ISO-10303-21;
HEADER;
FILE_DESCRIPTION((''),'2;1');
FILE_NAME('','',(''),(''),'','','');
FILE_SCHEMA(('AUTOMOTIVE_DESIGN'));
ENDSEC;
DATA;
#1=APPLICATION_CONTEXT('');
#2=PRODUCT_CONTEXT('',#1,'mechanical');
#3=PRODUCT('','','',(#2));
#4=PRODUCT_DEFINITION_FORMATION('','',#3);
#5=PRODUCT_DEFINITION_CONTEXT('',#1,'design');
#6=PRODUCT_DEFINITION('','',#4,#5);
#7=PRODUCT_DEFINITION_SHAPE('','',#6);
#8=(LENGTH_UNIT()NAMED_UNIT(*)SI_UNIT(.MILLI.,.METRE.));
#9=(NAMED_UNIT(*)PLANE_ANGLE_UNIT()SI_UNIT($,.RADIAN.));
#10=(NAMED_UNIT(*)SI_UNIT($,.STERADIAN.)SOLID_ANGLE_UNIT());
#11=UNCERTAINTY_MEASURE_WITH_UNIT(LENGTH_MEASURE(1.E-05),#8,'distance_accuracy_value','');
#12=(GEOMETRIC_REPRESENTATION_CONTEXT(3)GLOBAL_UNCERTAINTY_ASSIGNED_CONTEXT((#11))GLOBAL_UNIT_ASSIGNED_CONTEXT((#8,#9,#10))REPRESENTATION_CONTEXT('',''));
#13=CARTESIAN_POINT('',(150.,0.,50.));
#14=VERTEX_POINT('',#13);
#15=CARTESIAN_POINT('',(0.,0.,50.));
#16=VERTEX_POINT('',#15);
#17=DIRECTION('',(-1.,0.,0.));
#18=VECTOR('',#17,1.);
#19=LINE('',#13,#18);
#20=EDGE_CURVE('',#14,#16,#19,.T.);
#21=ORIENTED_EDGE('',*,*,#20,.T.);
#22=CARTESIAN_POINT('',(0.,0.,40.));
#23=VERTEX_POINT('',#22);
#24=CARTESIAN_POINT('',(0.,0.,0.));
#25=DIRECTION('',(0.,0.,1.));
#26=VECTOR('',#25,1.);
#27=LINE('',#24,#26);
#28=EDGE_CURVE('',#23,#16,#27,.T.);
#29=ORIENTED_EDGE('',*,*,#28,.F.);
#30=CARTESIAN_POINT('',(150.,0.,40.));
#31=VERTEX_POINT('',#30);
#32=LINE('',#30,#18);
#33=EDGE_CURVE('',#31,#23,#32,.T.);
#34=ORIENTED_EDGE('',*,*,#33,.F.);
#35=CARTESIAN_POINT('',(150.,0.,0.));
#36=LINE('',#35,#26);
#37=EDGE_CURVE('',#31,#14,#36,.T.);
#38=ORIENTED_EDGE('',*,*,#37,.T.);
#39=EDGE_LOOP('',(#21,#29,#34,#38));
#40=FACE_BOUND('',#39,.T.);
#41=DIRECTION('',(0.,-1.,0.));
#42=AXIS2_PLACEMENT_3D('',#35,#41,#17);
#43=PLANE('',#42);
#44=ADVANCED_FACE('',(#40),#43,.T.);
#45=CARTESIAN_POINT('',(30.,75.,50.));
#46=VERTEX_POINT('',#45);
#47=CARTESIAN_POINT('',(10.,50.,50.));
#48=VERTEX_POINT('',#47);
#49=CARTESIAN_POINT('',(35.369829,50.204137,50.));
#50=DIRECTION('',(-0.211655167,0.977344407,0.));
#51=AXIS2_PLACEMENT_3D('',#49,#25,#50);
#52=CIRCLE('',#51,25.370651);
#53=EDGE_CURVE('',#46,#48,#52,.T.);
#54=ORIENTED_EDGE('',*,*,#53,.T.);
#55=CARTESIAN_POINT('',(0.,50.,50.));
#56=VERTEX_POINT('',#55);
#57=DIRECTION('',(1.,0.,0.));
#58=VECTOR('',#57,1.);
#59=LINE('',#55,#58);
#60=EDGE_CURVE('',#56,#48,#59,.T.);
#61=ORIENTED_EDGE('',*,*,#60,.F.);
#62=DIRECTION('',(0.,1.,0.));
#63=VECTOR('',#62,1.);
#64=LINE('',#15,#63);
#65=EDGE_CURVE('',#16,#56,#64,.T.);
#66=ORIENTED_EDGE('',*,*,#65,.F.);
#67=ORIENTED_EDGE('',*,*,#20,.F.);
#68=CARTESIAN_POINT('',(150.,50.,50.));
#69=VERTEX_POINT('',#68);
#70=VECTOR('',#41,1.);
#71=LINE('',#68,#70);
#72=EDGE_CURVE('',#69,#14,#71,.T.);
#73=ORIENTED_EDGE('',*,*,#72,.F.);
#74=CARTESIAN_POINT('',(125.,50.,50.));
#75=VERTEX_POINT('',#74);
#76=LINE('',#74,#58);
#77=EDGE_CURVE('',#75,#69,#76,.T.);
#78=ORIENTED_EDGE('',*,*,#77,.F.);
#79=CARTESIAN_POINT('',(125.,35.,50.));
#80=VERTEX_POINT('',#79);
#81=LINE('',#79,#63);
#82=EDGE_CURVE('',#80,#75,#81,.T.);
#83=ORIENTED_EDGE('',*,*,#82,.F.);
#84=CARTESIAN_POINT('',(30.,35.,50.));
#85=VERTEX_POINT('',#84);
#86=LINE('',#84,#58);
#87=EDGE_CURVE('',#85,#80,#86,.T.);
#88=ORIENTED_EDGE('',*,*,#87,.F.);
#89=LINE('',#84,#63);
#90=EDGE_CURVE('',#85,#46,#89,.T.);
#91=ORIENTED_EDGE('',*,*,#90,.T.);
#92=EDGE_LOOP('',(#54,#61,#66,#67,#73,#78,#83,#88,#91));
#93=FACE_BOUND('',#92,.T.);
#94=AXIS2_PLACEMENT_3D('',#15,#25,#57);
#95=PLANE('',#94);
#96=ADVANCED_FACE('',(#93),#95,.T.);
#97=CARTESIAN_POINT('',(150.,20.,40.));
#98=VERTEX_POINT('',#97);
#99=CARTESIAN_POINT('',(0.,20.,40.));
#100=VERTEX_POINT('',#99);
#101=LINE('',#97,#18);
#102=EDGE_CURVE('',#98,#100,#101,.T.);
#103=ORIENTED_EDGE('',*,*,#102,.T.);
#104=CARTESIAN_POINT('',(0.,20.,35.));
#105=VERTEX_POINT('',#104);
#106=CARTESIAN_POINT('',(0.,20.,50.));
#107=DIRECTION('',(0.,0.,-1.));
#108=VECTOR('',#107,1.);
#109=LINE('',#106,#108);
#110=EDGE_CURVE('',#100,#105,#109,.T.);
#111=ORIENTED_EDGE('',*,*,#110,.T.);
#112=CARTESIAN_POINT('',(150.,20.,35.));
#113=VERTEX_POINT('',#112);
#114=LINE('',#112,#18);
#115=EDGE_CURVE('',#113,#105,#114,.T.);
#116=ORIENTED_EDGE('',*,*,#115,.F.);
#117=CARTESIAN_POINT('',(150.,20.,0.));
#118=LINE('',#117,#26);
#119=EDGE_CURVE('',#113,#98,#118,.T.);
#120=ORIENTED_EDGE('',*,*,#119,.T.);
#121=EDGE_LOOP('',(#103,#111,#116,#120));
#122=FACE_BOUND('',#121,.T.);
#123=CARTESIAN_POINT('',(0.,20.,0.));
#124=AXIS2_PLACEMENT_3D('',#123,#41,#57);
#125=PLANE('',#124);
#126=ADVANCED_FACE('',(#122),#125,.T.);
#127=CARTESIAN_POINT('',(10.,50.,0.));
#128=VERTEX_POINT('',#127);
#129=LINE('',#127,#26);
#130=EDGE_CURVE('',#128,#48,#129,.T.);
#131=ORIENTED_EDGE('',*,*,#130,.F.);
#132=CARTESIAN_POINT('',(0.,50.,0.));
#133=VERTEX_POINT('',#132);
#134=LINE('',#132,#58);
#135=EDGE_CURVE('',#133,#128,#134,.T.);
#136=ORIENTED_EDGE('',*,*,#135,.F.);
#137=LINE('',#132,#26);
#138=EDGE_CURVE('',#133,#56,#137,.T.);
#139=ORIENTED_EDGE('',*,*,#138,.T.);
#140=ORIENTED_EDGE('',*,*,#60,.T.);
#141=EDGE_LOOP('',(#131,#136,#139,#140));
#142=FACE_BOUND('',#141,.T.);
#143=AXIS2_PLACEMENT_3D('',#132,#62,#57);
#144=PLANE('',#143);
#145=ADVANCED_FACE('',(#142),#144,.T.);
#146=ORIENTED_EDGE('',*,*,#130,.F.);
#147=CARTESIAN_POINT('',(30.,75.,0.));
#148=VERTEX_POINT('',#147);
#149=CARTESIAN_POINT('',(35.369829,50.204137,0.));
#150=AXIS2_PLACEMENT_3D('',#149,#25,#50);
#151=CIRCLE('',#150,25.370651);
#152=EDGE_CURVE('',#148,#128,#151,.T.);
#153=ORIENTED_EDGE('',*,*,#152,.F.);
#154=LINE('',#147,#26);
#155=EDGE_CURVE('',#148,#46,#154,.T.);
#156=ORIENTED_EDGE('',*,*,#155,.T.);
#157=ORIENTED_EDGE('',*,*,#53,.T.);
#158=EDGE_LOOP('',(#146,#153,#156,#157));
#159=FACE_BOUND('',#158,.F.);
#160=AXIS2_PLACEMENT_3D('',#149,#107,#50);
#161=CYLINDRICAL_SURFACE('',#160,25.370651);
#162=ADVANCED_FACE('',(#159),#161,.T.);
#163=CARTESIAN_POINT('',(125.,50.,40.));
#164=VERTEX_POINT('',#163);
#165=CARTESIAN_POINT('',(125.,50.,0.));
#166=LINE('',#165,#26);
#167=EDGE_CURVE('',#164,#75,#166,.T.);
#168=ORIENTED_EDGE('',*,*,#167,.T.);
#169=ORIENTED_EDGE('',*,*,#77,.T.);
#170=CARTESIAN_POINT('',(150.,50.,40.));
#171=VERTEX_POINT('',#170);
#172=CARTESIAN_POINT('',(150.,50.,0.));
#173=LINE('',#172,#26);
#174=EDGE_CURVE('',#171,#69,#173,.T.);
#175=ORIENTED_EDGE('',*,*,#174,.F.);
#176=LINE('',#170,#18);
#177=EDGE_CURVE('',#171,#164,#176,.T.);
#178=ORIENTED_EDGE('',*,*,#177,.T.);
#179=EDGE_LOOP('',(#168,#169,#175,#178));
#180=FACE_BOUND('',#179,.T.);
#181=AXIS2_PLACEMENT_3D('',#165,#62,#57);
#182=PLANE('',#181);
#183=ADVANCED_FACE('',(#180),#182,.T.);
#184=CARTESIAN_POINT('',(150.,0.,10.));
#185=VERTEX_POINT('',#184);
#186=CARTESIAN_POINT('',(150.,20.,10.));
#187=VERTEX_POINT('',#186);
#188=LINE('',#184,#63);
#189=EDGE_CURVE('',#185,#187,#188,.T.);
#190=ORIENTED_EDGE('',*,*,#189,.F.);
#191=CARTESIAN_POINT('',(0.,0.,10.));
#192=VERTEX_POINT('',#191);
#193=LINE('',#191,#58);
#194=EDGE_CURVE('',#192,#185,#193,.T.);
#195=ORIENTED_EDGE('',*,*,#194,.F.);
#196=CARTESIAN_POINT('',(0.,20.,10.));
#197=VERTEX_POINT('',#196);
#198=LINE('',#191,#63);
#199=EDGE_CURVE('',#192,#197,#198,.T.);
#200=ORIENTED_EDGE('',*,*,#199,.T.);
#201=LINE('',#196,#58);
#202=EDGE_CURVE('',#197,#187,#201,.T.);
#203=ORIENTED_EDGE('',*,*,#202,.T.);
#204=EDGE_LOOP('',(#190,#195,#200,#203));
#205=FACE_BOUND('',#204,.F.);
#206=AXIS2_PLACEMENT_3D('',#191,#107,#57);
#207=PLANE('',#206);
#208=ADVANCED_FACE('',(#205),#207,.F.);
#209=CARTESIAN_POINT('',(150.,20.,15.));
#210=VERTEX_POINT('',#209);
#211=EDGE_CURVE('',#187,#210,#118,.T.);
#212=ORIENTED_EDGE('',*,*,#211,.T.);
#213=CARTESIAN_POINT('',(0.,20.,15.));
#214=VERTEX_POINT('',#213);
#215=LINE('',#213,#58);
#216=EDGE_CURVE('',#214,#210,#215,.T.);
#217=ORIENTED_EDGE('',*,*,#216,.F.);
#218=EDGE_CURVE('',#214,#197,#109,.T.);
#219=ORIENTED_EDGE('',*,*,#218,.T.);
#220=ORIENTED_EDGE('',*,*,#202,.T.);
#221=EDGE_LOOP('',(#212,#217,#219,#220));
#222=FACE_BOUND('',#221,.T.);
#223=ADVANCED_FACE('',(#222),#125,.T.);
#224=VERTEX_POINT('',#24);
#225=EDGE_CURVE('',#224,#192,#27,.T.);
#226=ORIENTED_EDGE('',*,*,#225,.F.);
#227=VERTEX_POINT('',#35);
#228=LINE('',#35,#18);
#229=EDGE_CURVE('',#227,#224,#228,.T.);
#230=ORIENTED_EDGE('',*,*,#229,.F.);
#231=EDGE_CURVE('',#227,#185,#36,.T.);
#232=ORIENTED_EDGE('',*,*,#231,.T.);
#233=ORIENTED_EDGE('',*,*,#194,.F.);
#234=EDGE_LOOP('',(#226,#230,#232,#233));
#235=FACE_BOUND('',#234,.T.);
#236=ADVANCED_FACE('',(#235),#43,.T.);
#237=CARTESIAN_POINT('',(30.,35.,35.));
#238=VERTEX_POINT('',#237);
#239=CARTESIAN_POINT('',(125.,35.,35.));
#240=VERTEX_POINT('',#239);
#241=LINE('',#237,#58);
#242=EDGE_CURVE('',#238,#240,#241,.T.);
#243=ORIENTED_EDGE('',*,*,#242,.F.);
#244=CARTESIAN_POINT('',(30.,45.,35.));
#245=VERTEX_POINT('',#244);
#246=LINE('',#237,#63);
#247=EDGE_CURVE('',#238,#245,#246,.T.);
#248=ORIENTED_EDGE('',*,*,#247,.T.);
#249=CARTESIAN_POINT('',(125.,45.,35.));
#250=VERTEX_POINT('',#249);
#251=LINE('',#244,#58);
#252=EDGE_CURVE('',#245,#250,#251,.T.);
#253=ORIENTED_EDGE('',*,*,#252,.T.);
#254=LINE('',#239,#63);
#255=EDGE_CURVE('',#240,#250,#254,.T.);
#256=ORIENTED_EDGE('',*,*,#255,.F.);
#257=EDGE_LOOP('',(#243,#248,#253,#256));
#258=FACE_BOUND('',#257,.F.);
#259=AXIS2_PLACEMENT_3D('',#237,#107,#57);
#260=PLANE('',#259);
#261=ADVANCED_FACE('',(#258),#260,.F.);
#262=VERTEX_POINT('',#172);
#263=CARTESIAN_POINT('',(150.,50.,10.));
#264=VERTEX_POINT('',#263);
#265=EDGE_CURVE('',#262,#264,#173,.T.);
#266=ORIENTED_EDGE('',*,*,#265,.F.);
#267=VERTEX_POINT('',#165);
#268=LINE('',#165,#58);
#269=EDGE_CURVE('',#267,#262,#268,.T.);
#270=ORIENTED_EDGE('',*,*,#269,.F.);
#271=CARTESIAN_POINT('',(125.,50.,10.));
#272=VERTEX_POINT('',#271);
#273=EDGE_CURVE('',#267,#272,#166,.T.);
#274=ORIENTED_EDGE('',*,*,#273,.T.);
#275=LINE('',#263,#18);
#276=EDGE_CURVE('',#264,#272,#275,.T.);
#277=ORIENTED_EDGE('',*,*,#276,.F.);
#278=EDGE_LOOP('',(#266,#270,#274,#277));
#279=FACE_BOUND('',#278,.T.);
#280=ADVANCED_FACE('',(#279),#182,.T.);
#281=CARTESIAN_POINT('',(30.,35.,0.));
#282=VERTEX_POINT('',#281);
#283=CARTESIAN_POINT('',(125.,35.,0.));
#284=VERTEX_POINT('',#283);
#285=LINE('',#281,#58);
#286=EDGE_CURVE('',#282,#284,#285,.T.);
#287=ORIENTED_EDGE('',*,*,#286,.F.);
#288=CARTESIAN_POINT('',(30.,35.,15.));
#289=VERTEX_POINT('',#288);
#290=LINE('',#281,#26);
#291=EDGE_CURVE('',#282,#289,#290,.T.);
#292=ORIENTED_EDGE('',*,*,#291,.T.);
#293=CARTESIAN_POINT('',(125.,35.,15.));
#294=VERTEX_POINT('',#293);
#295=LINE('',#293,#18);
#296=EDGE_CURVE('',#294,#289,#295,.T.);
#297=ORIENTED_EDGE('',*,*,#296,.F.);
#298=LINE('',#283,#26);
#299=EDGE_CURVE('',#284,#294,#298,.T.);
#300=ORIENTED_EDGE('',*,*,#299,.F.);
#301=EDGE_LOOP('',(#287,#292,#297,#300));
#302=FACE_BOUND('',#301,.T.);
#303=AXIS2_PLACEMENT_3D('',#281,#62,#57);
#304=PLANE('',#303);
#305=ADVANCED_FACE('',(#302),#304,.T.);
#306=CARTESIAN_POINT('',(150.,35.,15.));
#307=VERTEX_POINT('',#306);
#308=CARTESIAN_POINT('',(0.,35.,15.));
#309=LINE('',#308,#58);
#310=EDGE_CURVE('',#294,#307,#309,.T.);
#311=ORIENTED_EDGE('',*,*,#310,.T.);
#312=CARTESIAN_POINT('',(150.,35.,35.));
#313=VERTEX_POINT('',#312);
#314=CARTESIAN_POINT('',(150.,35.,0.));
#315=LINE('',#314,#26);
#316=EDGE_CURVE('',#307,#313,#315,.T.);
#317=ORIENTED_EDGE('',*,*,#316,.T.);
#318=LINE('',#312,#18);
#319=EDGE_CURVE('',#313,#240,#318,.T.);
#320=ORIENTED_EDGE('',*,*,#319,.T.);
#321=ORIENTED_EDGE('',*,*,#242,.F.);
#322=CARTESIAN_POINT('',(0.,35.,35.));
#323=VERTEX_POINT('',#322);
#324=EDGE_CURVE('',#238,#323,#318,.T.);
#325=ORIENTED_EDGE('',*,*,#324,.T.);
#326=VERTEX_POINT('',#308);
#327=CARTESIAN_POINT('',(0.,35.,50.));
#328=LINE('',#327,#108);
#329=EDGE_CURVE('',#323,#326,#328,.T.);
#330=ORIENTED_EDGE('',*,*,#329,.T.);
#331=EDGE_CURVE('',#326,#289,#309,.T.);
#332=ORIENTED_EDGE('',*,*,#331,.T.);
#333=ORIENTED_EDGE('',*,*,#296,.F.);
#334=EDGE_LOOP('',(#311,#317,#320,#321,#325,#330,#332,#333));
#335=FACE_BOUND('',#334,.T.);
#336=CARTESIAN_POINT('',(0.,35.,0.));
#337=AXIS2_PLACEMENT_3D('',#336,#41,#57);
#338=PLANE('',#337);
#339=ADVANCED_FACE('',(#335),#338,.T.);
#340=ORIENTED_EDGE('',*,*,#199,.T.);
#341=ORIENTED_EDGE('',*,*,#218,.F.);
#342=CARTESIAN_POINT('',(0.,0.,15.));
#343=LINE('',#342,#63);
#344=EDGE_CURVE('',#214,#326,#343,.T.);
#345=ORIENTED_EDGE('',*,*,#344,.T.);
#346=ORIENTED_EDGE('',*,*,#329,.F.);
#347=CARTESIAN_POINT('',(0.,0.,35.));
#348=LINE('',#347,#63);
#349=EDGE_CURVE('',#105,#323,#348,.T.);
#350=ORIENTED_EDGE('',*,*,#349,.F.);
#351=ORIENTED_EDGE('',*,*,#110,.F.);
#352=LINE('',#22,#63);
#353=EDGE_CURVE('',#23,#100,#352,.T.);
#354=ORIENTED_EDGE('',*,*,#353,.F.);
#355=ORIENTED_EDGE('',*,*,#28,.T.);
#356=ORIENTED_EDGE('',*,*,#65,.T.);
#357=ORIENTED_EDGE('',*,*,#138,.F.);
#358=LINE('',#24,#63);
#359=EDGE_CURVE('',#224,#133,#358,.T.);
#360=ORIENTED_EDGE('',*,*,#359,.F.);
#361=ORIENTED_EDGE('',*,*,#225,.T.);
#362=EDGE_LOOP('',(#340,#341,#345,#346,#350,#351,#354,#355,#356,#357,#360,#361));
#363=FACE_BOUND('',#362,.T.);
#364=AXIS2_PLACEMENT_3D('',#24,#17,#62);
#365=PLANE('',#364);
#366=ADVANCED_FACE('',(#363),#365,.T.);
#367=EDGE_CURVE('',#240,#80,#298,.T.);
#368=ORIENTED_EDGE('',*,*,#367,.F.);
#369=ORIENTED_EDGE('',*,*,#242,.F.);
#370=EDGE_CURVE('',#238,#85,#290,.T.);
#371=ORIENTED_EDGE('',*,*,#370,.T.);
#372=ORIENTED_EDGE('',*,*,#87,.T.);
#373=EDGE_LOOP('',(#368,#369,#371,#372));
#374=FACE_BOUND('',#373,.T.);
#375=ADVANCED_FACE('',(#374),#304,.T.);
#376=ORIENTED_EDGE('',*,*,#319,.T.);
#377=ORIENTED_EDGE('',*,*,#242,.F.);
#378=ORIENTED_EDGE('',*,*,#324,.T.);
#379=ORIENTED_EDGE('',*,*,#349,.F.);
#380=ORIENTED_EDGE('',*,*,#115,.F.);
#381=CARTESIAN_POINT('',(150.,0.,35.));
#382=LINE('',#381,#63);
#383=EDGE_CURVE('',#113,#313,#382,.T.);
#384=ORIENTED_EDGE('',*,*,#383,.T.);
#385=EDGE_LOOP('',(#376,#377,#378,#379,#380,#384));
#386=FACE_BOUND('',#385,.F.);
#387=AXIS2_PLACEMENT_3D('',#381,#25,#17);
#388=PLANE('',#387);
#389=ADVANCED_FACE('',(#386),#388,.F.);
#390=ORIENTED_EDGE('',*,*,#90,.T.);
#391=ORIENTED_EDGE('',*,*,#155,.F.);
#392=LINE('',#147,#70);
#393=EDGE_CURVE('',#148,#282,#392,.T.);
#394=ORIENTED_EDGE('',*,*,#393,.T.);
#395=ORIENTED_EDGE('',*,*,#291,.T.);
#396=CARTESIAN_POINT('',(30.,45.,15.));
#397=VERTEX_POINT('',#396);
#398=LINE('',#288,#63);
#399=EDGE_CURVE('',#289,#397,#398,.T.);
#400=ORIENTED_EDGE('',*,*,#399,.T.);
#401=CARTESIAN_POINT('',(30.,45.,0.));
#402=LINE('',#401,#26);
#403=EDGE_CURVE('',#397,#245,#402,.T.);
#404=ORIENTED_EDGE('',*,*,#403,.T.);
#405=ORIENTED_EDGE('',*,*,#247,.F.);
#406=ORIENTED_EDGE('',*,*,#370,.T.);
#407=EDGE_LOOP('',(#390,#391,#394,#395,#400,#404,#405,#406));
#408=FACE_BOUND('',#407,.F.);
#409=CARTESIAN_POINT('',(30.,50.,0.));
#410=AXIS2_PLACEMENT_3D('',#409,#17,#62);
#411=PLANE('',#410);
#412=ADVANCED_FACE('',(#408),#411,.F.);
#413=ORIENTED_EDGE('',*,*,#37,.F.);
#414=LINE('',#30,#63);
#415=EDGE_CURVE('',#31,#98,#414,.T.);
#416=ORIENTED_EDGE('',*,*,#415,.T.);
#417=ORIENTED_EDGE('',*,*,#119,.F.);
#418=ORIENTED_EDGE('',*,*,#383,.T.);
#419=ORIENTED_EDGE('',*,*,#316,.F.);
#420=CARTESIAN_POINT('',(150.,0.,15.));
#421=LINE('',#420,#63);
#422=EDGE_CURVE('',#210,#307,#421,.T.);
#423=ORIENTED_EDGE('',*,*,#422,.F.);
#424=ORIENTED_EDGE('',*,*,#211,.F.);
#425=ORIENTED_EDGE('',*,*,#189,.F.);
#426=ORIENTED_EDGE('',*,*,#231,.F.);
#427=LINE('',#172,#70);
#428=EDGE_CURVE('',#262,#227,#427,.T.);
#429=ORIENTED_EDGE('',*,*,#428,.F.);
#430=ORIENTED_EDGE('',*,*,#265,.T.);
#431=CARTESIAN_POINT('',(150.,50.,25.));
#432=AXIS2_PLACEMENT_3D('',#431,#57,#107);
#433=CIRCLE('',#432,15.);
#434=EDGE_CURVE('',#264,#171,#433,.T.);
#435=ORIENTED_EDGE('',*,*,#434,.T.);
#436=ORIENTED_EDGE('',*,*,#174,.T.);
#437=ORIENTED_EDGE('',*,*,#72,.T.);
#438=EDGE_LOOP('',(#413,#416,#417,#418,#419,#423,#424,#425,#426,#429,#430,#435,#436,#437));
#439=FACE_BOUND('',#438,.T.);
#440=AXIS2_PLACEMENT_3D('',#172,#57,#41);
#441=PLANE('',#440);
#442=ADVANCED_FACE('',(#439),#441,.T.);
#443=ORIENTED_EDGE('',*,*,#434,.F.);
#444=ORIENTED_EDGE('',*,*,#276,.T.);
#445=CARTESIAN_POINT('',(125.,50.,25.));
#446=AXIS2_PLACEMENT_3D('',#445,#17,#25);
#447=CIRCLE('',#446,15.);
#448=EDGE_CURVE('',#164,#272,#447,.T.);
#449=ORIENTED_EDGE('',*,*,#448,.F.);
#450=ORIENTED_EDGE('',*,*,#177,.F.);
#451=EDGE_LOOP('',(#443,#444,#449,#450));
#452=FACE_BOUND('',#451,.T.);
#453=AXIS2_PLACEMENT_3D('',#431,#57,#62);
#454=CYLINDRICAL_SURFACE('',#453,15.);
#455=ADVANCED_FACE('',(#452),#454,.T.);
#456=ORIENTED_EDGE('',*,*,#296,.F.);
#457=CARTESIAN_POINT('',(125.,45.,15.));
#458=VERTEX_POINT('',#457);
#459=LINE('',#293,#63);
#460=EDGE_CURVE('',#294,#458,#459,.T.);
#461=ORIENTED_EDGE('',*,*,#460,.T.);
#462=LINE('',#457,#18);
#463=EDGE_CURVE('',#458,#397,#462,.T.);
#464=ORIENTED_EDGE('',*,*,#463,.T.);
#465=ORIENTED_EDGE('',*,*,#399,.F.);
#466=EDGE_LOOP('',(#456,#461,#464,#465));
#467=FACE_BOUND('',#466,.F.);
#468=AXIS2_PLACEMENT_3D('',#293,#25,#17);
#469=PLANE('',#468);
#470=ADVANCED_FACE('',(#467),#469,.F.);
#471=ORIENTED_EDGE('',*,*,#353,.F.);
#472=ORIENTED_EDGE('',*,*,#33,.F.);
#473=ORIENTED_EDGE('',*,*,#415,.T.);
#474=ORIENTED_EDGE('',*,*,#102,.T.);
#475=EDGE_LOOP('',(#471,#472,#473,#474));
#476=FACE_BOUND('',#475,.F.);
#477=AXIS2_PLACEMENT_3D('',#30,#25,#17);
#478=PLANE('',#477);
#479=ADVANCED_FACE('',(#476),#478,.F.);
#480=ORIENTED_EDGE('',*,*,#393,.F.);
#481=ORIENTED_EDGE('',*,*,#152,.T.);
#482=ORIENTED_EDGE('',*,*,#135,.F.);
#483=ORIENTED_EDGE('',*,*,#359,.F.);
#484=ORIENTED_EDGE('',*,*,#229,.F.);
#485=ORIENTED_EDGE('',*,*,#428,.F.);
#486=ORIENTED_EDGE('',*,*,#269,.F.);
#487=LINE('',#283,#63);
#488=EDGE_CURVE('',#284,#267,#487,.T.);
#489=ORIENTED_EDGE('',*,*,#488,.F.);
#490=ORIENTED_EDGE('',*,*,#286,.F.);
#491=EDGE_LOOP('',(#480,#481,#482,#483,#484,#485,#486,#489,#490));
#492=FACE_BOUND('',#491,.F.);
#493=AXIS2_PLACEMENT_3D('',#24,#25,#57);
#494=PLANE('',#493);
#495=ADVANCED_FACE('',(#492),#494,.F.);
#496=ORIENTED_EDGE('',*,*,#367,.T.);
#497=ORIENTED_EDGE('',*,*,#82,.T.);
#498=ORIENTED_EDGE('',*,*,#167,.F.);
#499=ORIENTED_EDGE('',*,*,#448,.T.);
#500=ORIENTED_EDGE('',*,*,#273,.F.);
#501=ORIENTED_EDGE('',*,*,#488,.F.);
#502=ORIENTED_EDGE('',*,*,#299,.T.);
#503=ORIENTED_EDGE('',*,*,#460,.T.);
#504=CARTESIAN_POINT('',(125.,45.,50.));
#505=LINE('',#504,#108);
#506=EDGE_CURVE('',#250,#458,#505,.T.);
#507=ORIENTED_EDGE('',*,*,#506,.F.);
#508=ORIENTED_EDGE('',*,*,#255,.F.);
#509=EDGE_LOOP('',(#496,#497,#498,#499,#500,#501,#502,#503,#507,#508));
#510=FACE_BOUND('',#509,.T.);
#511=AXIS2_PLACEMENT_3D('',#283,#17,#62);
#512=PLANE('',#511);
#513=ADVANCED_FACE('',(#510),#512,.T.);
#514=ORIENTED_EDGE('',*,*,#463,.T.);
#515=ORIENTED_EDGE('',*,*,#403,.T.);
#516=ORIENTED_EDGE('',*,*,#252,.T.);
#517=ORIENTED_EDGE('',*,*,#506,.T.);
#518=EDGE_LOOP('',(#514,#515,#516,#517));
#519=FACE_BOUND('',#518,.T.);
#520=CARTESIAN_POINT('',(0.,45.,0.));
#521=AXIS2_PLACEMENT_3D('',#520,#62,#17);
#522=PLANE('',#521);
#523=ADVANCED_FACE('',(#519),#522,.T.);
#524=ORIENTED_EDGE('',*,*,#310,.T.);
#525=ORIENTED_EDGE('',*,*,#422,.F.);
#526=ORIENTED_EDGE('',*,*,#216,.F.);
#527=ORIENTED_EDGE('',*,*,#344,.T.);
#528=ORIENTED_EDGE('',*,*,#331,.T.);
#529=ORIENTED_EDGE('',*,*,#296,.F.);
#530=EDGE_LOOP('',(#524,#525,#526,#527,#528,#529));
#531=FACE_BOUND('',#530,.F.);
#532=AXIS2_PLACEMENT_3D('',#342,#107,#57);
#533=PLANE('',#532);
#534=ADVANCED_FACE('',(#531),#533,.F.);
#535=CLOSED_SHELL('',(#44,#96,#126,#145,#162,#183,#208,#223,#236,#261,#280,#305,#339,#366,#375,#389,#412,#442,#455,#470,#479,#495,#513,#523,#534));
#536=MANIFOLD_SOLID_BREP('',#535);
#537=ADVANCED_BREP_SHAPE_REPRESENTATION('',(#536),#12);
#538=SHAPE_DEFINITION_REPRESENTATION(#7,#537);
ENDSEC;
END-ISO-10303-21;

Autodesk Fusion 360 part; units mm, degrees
sketch "Sketch1" plane through (0, 0, 0) normal (0, 0, 1) x (1, 0, 0)
  line L0 (0, 0) -> (0, 50)
  line L1 (0, 50) -> (10, 50)
  line L2 (30, 50) -> (30, 75)
  line L3 (30, 75) -> (30, 35)
  arc A0 (30, 75) -> (10, 50) centre (35.3698, 50.2041) ccw
  line L4 (30, 35) -> (125, 35)
  line L5 (125, 35) -> (125, 50)
  line L6 (125, 50) -> (150, 50)
  line L7 (150, 50) -> (150, 0)
  line L8 (150, 0) -> (0, 0)
extrude "Extrude1" add sketch "Sketch1" along normal blind 50
sketch "Sketch2" plane through (150, 0, 0) normal (1, 0, 0) x (0, 1, 0)
  line L0 (0, 0) -> (50, 0)
  line L1 (50, 0) -> (50, 50)
  line L2 (50, 50) -> (0, 50)
  line L3 (0, 50) -> (0, 0)
  circle A0 centre (50, 25) radius 15
extrude "Extrude2" add sketch "Sketch2" against normal blind 25 contours L1 A0 picked at (54.9491, 25.7116)
sketch "Sketch3" plane through (0, 35, 0) normal (0, 1, 0) x (-1, 0, 0)
  line L0 (-125, 0) -> (-30, 0)
  line L1 (-30, 0) -> (-30, 50)
  line L2 (-30, 50) -> (-125, 50)
  line L3 (-125, 50) -> (-125, 0)
  line L4 (-125, 15) -> (-30, 15)
  line L5 (-30, 15) -> (-30, 35)
  line L6 (-30, 35) -> (-125, 35)
  line L7 (-125, 35) -> (-125, 15)
extrude "Extrude3" add sketch "Sketch3" along normal blind 10 contours L1 L3 L4 L5 L6 L7
sketch "Sketch4" plane through (0, 0, 0) normal (0, -1, 0) x (1, 0, 0)
  line L0 (0, 0) -> (150, 0)
  line L1 (150, 0) -> (150, 50)
  line L2 (150, 50) -> (0, 50)
  line L3 (0, 50) -> (0, 0)
  line L4 (0, 10) -> (150, 10)
  line L5 (150, 10) -> (150, 40)
  line L6 (150, 40) -> (0, 40)
  line L7 (0, 40) -> (0, 10)
  line L8 (150, 35) -> (0, 35)
  line L9 (0, 35) -> (0, 15)
  line L10 (0, 15) -> (150, 15)
  line L11 (150, 15) -> (150, 35)
extrude "Extrude4" cut sketch "Sketch4" against normal blind 35 contours L1 L3 L5 L7 L8 L9 L10 L11
extrude "Extrude5" cut sketch "Sketch4" against normal blind 20 contours L1 L3 L4 L5 L7 L10 | L1 L3 L5 L6 L7 L8
